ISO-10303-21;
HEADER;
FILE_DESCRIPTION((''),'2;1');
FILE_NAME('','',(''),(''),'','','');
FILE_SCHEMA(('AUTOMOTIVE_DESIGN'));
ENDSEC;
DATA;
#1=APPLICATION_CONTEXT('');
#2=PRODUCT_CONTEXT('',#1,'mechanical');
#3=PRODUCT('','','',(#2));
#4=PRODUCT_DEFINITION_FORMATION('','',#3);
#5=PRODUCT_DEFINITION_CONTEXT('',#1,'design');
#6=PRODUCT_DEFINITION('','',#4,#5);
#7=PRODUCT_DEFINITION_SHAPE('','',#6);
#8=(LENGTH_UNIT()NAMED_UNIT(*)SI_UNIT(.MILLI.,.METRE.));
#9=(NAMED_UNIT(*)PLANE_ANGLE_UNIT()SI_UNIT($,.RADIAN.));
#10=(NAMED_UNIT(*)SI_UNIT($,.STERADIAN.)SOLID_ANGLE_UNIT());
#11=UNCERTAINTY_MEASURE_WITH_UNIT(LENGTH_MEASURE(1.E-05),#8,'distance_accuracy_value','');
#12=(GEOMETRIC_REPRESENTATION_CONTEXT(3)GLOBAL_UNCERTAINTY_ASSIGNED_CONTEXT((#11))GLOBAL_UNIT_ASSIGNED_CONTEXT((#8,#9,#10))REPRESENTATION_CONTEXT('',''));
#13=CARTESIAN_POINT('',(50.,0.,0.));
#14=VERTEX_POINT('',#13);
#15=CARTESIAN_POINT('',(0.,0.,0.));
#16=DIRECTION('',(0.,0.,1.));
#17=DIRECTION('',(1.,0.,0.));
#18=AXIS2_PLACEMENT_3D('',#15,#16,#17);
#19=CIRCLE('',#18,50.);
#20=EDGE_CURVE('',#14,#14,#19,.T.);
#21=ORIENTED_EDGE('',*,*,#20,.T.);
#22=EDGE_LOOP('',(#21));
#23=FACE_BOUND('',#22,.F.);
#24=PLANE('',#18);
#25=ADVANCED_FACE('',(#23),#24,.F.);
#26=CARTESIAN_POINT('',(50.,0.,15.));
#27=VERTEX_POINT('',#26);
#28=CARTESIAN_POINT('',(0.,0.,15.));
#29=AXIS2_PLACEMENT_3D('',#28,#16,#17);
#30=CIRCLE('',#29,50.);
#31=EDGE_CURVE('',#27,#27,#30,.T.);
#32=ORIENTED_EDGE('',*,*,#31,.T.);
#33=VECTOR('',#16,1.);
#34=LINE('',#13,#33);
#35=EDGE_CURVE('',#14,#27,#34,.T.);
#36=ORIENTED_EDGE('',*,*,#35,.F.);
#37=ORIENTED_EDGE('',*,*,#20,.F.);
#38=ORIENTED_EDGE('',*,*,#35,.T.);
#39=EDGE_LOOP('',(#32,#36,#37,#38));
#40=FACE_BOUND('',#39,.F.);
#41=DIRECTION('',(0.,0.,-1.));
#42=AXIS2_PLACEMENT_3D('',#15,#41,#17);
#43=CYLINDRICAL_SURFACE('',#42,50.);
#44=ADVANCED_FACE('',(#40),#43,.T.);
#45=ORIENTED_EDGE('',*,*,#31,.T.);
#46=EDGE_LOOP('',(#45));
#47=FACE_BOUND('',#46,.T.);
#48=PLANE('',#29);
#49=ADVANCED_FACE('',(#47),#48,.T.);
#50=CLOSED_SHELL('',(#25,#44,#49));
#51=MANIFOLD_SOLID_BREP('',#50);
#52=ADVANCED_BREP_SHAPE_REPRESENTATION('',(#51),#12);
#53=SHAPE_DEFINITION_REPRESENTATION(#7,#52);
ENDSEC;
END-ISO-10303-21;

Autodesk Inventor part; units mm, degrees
ref_plane "YZ Plane" through (0, 0, 0) normal (1, 0, 0) x (0, 1, 0)
ref_plane "XZ Plane" through (0, 0, 0) normal (0, 1, 0) x (-1, 0, 0)
ref_plane "XY Plane" through (0, 0, 0) normal (0, 0, 1) x (1, 0, 0)
sketch "Sketch1" plane through (0, 0, 0) normal (0, 0, 1) x (1, 0, 0)
  circle A0 centre (0, 0) radius 50
  dimension "d0" = 100
extrude "Extrusion1" add sketch "Sketch1" along normal blind 15
properties part number "DiscoSuporteExterno" material "Polycarbonate, Smoke"
